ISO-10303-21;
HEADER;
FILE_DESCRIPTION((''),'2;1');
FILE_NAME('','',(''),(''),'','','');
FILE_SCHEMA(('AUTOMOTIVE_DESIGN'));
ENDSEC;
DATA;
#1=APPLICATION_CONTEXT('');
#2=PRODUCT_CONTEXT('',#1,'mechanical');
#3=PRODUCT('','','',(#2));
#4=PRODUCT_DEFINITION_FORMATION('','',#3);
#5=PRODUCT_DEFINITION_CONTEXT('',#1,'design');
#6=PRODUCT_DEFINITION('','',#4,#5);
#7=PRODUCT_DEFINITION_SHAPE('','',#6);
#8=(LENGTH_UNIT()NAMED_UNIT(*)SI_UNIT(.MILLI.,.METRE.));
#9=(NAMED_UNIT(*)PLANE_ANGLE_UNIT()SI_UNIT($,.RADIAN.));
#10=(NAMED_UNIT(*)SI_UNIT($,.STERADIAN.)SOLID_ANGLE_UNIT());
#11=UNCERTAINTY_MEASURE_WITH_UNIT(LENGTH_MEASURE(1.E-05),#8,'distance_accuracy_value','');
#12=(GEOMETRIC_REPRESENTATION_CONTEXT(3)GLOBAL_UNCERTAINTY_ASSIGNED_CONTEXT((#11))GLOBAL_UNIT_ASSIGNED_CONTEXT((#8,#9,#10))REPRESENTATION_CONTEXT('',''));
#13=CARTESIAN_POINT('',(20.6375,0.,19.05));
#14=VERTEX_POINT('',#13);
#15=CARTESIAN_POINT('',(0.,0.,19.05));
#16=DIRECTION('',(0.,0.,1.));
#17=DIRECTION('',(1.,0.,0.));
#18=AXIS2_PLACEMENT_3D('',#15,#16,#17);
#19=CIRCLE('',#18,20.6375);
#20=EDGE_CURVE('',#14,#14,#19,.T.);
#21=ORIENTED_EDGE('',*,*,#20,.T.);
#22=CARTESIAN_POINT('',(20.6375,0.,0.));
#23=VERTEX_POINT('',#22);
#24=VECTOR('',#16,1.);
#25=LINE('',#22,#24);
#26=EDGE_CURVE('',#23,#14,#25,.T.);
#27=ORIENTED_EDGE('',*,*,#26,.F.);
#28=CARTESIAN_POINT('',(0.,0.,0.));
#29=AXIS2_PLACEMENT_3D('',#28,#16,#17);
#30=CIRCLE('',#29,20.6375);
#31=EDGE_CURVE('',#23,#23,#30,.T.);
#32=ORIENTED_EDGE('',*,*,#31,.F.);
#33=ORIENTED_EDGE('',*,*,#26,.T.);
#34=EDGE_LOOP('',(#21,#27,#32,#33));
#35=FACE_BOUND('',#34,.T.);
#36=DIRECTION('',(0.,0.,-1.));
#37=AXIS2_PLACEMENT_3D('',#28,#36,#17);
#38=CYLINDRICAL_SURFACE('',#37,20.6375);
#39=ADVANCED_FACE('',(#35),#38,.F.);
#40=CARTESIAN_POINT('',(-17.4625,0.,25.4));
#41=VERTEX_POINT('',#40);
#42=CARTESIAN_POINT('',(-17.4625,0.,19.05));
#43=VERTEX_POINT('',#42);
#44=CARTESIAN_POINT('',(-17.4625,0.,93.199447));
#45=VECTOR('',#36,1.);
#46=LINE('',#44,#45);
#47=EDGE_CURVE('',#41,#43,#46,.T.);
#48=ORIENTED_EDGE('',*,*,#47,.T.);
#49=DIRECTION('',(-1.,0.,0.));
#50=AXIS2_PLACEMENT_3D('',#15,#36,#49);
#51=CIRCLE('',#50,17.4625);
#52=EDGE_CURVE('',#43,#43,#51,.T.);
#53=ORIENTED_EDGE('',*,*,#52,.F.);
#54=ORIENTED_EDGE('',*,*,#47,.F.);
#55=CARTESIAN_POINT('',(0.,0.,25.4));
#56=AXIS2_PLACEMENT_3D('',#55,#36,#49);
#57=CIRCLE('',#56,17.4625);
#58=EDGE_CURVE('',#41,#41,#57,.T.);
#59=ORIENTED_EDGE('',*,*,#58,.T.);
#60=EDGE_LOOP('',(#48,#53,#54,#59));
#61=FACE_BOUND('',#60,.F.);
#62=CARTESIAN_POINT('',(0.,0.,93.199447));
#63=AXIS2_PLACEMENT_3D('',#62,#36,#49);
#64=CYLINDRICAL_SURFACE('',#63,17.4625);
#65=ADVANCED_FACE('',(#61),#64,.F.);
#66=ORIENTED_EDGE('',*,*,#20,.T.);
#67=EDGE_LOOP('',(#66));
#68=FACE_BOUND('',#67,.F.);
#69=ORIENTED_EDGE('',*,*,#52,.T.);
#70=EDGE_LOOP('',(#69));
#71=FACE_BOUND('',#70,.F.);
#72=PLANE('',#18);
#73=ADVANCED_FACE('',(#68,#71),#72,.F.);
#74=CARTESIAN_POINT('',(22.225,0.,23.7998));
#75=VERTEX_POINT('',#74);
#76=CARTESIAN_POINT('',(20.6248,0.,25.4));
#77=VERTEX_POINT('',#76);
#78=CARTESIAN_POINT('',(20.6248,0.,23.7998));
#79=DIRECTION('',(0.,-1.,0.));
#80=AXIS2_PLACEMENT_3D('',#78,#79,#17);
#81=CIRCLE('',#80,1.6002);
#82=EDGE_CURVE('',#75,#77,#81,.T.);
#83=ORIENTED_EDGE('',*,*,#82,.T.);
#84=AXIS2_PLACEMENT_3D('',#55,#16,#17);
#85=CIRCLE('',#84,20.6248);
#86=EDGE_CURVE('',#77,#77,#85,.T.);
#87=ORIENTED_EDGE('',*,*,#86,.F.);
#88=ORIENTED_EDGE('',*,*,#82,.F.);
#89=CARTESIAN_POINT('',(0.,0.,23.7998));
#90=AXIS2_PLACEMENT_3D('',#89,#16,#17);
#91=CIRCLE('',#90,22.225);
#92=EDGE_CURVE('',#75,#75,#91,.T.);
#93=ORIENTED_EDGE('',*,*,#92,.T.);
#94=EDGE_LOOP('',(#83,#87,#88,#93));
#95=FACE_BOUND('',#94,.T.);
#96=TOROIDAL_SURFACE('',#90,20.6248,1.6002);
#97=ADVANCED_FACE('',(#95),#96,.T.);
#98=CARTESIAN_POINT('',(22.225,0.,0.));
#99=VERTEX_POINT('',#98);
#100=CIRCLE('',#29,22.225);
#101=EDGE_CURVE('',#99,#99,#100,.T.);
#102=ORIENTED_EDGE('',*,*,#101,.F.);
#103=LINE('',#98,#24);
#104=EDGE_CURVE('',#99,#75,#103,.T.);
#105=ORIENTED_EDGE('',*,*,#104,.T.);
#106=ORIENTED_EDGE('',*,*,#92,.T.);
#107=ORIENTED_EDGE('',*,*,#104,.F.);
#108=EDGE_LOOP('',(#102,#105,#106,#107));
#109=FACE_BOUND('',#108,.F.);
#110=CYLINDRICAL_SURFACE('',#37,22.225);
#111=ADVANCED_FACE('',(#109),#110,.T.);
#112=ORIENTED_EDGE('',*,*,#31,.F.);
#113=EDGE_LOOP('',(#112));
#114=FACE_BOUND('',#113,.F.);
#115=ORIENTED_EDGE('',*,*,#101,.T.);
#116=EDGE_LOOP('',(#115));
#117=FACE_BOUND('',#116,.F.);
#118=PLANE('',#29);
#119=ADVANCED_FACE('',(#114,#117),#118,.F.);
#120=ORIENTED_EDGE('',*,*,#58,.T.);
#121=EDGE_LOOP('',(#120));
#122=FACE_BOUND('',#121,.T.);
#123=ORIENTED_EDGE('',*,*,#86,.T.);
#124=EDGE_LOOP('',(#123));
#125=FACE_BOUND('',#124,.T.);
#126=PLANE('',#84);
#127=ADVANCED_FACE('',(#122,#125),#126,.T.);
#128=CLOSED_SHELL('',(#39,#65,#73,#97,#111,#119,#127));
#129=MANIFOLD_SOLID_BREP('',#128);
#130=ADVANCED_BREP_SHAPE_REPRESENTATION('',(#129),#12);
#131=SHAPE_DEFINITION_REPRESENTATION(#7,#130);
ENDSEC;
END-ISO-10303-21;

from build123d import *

# Parameters (mm, degrees)
F0_R     = 22.225
F0_R_2   = 20.6375
F1_DEPTH = 25.4
F2_DEPTH = 19.05
F4_D     = 34.925
F5_R     = 1.6002


with BuildPart() as f1:
    # F0 (on Top) → F1 (new body)
    with BuildSketch(Plane.XY):
        Circle(F0_R)
        Circle(F0_R_2, mode=Mode.SUBTRACT)
        Circle(F0_R_2)
    extrude(amount=F1_DEPTH)

    # F0 (on Top) → F2 (cut)
    with BuildSketch(Plane.XY):
        Circle(F0_R_2)
    extrude(amount=F2_DEPTH, mode=Mode.SUBTRACT)

    # F4 (through all)
    with Locations(Plane.XY.offset(25.4)):
        with Locations((0, 0)):
            Hole(F4_D / 2)

    # F5
    f5_edges = [f1.edges().sort_by_distance(p)[0] for p in [
        (-22.225, 0, 25.4),
    ]]
    fillet(f5_edges, radius=F5_R)


solid = f1.part
